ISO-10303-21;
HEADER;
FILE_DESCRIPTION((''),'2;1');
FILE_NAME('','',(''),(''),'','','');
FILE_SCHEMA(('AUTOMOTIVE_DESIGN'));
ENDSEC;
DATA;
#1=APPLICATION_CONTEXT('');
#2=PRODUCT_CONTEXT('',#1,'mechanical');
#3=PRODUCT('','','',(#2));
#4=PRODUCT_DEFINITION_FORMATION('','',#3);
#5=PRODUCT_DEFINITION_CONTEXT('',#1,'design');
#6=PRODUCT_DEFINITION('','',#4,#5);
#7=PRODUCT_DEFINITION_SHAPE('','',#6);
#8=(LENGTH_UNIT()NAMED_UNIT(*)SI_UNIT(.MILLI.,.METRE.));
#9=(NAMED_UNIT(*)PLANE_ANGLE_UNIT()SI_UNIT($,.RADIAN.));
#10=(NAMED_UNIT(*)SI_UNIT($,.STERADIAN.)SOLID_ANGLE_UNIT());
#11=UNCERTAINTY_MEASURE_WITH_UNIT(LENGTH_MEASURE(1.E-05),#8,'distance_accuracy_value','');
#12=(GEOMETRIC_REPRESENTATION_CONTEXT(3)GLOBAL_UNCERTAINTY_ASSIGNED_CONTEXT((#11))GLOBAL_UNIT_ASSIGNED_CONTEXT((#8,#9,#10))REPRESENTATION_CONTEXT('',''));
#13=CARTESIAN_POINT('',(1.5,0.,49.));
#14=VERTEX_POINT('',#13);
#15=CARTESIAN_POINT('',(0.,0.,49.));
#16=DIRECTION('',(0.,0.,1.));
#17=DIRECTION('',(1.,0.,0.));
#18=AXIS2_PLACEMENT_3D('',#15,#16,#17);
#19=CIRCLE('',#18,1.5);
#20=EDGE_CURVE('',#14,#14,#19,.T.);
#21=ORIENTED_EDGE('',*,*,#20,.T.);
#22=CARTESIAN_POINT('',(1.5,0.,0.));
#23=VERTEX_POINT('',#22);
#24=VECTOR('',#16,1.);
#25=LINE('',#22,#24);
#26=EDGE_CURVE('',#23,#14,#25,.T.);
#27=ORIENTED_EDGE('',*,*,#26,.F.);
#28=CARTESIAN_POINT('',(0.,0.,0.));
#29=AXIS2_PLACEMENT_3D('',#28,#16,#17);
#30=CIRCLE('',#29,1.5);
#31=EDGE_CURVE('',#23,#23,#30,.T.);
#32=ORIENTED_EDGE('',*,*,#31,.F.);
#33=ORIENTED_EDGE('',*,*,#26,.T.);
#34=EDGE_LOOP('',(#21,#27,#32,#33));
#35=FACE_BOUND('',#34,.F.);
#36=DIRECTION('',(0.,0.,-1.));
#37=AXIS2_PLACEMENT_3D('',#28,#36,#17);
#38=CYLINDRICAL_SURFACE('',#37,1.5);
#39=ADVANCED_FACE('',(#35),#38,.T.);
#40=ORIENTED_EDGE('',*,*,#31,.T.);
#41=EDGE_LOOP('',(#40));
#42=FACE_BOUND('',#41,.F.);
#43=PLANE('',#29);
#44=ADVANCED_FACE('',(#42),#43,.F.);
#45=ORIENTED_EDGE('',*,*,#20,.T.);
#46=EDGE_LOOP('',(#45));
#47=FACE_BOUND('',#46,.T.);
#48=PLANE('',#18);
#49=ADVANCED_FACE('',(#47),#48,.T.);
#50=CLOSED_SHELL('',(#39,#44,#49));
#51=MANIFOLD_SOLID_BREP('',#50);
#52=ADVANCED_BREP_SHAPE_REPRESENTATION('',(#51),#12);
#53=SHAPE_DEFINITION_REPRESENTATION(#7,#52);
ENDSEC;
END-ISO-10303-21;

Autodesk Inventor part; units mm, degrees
ref_plane "YZ Plane" through (0, 0, 0) normal (1, 0, 0) x (0, 1, 0)
ref_plane "XZ Plane" through (0, 0, 0) normal (0, 1, 0) x (-1, 0, 0)
ref_plane "XY Plane" through (0, 0, 0) normal (0, 0, 1) x (1, 0, 0)
sketch "スケッチ1" plane through (0, 0, 0) normal (0, 0, 1) x (1, 0, 0)
  circle A0 centre (0, 0) radius 1.5
  dimension "d0" = 3
extrude "押し出し1" add sketch "スケッチ1" along normal blind 49
properties part number "タミヤダンパー5" material "真鍮"
